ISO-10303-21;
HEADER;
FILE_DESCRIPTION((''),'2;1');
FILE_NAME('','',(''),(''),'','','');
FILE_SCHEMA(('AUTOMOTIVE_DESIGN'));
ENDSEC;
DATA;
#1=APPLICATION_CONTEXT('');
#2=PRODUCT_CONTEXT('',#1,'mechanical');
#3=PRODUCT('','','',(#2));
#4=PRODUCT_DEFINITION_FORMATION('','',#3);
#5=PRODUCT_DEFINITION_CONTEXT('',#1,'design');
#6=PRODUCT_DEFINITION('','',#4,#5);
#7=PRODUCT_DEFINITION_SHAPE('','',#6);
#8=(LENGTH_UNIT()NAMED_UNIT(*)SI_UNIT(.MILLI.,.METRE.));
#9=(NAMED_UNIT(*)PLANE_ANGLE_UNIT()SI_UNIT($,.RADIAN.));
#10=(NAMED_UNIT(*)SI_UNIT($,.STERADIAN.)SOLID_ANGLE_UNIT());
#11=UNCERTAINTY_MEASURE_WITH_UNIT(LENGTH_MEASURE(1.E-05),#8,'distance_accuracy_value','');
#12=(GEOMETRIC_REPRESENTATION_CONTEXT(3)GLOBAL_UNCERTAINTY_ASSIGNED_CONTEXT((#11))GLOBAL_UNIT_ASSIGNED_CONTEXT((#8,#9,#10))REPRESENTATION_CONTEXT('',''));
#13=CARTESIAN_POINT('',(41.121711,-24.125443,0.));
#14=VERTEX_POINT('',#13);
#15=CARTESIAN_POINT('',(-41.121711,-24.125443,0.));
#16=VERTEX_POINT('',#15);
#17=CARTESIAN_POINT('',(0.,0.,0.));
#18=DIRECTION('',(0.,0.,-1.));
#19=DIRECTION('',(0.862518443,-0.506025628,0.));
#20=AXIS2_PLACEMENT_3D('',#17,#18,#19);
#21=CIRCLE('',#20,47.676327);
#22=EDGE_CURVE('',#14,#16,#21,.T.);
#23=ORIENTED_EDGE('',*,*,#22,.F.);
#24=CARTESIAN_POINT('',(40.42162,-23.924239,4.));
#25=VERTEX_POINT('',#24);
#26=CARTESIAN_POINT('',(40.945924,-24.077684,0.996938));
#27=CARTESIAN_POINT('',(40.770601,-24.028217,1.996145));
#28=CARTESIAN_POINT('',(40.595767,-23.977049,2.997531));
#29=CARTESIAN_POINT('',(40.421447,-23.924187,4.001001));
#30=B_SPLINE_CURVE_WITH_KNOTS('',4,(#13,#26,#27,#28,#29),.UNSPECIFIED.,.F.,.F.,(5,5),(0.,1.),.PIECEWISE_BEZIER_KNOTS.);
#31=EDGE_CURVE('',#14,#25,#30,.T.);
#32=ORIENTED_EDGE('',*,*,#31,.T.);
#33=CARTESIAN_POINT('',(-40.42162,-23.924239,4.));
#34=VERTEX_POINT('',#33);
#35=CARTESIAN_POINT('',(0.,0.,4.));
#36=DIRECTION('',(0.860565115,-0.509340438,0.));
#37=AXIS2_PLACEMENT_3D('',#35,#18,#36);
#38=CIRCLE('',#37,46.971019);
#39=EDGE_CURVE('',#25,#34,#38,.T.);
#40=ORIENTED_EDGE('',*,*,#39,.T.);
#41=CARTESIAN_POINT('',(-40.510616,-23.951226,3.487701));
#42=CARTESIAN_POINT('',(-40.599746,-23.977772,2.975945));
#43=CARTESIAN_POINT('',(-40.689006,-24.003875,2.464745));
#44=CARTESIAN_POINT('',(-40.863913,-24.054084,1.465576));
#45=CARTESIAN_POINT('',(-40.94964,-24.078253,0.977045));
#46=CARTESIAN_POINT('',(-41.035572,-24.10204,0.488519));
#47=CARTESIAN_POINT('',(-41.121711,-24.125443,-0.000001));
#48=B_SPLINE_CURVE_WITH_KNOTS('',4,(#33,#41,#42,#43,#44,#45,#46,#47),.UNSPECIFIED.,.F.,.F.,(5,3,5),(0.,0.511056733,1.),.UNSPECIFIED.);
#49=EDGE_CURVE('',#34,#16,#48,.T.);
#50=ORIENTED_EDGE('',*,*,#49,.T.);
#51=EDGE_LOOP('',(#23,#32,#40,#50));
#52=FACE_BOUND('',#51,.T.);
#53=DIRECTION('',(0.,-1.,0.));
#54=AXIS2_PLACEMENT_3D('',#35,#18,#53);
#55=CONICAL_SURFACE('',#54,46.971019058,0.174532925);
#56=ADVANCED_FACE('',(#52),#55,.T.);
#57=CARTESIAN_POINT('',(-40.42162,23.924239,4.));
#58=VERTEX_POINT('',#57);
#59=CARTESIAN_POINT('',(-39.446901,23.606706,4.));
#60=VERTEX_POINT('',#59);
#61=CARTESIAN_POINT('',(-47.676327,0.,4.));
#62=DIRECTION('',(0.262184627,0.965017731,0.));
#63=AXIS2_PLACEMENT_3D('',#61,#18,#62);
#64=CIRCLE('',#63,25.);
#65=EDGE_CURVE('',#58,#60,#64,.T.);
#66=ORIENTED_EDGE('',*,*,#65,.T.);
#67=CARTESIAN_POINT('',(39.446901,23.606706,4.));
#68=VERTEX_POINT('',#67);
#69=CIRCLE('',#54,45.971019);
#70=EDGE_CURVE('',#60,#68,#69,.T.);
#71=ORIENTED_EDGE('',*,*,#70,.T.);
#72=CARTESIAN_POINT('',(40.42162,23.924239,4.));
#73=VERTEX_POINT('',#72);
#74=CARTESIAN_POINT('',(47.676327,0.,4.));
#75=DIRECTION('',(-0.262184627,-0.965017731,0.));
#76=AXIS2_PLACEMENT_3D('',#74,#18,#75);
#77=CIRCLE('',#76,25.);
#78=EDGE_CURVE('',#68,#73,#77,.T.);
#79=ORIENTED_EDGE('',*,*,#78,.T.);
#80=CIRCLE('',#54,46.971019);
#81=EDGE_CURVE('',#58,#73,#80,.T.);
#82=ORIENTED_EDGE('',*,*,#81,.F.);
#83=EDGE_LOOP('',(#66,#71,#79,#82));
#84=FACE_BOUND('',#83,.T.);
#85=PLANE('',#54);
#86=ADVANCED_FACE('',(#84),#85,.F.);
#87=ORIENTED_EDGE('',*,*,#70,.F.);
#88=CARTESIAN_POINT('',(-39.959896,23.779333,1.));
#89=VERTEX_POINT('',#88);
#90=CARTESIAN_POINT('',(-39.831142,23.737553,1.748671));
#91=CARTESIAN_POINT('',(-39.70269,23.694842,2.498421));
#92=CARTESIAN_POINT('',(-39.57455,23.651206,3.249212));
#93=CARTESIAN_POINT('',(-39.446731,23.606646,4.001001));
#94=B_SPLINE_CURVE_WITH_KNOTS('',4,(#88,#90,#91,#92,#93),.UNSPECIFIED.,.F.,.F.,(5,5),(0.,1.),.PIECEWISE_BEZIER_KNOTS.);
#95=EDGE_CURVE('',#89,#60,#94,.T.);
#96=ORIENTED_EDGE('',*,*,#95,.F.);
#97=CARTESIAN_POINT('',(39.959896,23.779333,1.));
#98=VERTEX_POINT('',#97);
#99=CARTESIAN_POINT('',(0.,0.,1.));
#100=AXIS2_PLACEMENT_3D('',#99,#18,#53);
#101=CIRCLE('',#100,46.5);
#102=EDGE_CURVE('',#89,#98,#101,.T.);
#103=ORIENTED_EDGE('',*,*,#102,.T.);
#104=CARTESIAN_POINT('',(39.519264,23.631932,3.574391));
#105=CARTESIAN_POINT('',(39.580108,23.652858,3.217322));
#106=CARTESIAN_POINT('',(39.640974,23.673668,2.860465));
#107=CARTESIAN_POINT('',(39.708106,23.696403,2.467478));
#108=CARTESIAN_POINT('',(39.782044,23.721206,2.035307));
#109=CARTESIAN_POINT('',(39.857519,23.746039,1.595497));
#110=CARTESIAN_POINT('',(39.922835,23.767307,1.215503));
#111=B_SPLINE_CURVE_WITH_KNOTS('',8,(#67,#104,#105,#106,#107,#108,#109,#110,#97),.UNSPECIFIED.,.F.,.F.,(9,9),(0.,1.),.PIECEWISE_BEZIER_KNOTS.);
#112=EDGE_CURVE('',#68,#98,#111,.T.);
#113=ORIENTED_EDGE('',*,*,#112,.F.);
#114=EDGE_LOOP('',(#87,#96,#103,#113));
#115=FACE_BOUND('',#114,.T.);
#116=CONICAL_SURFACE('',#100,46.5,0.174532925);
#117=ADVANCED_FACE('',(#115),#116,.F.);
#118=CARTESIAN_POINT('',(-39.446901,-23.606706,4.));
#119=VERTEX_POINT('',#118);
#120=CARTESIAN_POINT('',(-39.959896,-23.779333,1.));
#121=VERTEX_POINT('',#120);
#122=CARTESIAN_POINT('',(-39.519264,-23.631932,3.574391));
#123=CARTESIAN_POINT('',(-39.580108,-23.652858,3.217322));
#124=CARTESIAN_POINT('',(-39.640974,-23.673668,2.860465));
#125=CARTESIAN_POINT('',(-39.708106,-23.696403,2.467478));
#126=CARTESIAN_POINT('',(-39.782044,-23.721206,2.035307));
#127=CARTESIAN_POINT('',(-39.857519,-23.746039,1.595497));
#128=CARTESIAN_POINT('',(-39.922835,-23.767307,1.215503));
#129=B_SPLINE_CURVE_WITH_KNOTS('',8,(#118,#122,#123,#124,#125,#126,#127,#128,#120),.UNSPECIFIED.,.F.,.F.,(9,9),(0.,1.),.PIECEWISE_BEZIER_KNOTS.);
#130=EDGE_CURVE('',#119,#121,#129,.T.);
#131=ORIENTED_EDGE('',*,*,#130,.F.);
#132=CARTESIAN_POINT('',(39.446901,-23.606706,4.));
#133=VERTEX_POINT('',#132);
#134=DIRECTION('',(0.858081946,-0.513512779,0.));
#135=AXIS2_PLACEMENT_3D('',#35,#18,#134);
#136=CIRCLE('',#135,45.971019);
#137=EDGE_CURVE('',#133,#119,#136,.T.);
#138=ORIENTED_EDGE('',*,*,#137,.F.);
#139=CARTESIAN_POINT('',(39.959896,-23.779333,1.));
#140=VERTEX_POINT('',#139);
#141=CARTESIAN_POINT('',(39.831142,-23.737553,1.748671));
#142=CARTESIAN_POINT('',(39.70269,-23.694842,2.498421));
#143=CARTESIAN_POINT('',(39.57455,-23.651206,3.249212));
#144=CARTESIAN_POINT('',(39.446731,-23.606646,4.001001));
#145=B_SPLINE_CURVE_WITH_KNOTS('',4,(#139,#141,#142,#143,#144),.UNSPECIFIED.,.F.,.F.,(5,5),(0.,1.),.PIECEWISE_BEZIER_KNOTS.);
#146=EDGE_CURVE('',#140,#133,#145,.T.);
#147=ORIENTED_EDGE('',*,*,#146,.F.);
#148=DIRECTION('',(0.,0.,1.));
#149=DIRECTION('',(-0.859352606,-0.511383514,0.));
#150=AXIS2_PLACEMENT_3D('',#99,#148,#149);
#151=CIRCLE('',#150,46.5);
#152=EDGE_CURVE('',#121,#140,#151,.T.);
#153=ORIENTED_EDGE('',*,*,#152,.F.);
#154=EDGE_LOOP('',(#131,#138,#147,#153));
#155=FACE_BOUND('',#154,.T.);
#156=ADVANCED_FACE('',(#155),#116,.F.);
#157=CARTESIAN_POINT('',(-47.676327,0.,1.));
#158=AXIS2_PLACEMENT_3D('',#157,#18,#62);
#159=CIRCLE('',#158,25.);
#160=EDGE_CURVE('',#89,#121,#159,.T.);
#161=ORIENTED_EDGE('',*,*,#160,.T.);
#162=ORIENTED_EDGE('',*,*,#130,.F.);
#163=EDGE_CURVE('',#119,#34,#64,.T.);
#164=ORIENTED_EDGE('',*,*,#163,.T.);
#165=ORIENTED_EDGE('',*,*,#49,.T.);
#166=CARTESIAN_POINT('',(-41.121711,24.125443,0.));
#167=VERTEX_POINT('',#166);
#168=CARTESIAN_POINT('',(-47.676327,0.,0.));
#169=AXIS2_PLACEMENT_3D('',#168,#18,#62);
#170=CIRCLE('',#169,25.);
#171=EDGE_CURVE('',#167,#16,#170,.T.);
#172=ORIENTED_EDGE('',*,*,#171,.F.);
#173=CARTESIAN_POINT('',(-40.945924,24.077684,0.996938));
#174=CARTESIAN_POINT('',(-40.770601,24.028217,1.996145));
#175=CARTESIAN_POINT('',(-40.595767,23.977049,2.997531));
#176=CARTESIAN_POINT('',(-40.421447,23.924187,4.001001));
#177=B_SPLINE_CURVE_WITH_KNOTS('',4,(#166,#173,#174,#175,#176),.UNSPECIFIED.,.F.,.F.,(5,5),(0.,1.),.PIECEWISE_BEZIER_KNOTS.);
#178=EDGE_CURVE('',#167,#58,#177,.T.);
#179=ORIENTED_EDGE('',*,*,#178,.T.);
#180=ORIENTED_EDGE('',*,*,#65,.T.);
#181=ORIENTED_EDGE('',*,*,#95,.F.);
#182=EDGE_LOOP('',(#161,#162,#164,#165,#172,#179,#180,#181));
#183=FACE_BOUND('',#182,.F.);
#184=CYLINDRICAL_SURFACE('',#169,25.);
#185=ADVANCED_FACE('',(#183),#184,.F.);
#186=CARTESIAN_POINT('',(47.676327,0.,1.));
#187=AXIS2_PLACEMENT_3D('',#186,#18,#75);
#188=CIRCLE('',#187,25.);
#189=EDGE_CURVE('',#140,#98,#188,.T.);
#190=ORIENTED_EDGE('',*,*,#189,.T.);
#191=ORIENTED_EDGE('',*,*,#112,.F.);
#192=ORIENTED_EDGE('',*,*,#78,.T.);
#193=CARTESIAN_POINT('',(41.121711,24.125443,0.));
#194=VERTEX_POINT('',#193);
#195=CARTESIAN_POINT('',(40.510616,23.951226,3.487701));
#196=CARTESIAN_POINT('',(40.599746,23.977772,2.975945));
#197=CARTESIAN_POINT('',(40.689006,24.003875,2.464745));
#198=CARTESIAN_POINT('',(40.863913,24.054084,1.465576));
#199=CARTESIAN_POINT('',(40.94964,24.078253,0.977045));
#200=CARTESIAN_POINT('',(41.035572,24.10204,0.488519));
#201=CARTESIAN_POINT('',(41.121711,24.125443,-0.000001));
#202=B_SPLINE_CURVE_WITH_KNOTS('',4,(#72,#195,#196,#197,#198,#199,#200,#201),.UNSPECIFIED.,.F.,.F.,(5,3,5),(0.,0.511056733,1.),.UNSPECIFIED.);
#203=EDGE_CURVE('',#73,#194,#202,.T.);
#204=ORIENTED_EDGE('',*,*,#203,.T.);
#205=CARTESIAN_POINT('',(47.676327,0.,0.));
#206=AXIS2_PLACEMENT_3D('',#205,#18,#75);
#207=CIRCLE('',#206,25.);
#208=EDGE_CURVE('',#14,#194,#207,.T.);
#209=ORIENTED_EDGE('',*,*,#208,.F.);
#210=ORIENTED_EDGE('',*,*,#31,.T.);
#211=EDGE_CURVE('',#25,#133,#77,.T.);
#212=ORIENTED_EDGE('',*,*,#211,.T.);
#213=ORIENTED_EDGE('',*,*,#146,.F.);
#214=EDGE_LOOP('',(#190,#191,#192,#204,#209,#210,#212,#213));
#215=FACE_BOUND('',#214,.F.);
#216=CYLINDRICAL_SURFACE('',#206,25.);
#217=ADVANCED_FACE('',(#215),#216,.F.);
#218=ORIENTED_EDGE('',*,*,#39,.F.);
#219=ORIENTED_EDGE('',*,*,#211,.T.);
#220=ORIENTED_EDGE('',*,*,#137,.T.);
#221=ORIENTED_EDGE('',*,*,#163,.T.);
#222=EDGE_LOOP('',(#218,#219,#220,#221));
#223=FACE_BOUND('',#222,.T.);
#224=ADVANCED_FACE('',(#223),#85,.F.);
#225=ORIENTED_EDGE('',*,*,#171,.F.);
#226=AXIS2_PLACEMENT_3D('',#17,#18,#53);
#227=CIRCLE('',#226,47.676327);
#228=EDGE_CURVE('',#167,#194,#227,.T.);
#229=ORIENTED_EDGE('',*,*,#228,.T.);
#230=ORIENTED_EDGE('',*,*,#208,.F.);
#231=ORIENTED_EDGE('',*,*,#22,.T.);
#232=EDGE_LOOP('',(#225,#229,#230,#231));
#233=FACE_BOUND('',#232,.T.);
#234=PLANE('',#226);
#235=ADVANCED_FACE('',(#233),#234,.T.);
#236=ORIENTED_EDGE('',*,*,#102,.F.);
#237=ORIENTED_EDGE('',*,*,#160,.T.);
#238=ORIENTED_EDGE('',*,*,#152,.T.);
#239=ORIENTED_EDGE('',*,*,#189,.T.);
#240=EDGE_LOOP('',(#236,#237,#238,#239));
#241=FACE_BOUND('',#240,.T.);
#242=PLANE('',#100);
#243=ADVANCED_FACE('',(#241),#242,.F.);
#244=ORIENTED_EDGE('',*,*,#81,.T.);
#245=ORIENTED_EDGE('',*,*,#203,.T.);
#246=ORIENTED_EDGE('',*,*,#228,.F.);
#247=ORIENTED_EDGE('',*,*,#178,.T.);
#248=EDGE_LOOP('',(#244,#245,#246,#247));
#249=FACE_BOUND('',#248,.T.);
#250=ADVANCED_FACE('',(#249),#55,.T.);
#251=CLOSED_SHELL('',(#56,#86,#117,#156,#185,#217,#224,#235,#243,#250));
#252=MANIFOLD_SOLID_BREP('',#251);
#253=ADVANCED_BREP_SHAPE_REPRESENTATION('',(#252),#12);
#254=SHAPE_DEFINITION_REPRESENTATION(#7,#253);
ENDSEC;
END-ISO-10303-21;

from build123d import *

# Parameters (mm, degrees)
F3_DEPTH = 4.001


with BuildPart() as f1:
    # F0 (on Right) → F1 (revolve)
    with BuildSketch(Plane.YZ):
        Polygon((-47.6763269807, 0), (0, 0), (0, 1), (-46.5, 1), (-45.9710190579, 4), (-46.9710190579, 4), align=None)
    revolve(axis=Axis((0, 0, 0.5), (0, 0, -1)))

    # F2 (on face) → F3 (cut, through all)
    with BuildSketch(Plane(origin=(0, 0, 0), x_dir=(1, 0, 0), z_dir=(0, 0, -1))):
        with BuildLine():
            ThreePointArc((-41.1217113089, 24.1254432787), (-47.6763269807, 0), (-41.1217113089, -24.1254432787))
            ThreePointArc((-41.1217113089, -24.1254432787), (-22.6763269807, 0), (-41.1217113089, 24.1254432787))
        make_face()
        with BuildLine():
            ThreePointArc((41.1217113089, 24.1254432787), (22.6763269807, 0), (41.1217113089, -24.1254432787))
            ThreePointArc((41.1217113089, -24.1254432787), (46.0085008925, -12.5), (47.6763269807, 0))
            ThreePointArc((47.6763269807, 0), (46.0085008925, 12.5), (41.1217113089, 24.1254432787))
        make_face()
    extrude(amount=-F3_DEPTH, mode=Mode.SUBTRACT)


solid = f1.part
